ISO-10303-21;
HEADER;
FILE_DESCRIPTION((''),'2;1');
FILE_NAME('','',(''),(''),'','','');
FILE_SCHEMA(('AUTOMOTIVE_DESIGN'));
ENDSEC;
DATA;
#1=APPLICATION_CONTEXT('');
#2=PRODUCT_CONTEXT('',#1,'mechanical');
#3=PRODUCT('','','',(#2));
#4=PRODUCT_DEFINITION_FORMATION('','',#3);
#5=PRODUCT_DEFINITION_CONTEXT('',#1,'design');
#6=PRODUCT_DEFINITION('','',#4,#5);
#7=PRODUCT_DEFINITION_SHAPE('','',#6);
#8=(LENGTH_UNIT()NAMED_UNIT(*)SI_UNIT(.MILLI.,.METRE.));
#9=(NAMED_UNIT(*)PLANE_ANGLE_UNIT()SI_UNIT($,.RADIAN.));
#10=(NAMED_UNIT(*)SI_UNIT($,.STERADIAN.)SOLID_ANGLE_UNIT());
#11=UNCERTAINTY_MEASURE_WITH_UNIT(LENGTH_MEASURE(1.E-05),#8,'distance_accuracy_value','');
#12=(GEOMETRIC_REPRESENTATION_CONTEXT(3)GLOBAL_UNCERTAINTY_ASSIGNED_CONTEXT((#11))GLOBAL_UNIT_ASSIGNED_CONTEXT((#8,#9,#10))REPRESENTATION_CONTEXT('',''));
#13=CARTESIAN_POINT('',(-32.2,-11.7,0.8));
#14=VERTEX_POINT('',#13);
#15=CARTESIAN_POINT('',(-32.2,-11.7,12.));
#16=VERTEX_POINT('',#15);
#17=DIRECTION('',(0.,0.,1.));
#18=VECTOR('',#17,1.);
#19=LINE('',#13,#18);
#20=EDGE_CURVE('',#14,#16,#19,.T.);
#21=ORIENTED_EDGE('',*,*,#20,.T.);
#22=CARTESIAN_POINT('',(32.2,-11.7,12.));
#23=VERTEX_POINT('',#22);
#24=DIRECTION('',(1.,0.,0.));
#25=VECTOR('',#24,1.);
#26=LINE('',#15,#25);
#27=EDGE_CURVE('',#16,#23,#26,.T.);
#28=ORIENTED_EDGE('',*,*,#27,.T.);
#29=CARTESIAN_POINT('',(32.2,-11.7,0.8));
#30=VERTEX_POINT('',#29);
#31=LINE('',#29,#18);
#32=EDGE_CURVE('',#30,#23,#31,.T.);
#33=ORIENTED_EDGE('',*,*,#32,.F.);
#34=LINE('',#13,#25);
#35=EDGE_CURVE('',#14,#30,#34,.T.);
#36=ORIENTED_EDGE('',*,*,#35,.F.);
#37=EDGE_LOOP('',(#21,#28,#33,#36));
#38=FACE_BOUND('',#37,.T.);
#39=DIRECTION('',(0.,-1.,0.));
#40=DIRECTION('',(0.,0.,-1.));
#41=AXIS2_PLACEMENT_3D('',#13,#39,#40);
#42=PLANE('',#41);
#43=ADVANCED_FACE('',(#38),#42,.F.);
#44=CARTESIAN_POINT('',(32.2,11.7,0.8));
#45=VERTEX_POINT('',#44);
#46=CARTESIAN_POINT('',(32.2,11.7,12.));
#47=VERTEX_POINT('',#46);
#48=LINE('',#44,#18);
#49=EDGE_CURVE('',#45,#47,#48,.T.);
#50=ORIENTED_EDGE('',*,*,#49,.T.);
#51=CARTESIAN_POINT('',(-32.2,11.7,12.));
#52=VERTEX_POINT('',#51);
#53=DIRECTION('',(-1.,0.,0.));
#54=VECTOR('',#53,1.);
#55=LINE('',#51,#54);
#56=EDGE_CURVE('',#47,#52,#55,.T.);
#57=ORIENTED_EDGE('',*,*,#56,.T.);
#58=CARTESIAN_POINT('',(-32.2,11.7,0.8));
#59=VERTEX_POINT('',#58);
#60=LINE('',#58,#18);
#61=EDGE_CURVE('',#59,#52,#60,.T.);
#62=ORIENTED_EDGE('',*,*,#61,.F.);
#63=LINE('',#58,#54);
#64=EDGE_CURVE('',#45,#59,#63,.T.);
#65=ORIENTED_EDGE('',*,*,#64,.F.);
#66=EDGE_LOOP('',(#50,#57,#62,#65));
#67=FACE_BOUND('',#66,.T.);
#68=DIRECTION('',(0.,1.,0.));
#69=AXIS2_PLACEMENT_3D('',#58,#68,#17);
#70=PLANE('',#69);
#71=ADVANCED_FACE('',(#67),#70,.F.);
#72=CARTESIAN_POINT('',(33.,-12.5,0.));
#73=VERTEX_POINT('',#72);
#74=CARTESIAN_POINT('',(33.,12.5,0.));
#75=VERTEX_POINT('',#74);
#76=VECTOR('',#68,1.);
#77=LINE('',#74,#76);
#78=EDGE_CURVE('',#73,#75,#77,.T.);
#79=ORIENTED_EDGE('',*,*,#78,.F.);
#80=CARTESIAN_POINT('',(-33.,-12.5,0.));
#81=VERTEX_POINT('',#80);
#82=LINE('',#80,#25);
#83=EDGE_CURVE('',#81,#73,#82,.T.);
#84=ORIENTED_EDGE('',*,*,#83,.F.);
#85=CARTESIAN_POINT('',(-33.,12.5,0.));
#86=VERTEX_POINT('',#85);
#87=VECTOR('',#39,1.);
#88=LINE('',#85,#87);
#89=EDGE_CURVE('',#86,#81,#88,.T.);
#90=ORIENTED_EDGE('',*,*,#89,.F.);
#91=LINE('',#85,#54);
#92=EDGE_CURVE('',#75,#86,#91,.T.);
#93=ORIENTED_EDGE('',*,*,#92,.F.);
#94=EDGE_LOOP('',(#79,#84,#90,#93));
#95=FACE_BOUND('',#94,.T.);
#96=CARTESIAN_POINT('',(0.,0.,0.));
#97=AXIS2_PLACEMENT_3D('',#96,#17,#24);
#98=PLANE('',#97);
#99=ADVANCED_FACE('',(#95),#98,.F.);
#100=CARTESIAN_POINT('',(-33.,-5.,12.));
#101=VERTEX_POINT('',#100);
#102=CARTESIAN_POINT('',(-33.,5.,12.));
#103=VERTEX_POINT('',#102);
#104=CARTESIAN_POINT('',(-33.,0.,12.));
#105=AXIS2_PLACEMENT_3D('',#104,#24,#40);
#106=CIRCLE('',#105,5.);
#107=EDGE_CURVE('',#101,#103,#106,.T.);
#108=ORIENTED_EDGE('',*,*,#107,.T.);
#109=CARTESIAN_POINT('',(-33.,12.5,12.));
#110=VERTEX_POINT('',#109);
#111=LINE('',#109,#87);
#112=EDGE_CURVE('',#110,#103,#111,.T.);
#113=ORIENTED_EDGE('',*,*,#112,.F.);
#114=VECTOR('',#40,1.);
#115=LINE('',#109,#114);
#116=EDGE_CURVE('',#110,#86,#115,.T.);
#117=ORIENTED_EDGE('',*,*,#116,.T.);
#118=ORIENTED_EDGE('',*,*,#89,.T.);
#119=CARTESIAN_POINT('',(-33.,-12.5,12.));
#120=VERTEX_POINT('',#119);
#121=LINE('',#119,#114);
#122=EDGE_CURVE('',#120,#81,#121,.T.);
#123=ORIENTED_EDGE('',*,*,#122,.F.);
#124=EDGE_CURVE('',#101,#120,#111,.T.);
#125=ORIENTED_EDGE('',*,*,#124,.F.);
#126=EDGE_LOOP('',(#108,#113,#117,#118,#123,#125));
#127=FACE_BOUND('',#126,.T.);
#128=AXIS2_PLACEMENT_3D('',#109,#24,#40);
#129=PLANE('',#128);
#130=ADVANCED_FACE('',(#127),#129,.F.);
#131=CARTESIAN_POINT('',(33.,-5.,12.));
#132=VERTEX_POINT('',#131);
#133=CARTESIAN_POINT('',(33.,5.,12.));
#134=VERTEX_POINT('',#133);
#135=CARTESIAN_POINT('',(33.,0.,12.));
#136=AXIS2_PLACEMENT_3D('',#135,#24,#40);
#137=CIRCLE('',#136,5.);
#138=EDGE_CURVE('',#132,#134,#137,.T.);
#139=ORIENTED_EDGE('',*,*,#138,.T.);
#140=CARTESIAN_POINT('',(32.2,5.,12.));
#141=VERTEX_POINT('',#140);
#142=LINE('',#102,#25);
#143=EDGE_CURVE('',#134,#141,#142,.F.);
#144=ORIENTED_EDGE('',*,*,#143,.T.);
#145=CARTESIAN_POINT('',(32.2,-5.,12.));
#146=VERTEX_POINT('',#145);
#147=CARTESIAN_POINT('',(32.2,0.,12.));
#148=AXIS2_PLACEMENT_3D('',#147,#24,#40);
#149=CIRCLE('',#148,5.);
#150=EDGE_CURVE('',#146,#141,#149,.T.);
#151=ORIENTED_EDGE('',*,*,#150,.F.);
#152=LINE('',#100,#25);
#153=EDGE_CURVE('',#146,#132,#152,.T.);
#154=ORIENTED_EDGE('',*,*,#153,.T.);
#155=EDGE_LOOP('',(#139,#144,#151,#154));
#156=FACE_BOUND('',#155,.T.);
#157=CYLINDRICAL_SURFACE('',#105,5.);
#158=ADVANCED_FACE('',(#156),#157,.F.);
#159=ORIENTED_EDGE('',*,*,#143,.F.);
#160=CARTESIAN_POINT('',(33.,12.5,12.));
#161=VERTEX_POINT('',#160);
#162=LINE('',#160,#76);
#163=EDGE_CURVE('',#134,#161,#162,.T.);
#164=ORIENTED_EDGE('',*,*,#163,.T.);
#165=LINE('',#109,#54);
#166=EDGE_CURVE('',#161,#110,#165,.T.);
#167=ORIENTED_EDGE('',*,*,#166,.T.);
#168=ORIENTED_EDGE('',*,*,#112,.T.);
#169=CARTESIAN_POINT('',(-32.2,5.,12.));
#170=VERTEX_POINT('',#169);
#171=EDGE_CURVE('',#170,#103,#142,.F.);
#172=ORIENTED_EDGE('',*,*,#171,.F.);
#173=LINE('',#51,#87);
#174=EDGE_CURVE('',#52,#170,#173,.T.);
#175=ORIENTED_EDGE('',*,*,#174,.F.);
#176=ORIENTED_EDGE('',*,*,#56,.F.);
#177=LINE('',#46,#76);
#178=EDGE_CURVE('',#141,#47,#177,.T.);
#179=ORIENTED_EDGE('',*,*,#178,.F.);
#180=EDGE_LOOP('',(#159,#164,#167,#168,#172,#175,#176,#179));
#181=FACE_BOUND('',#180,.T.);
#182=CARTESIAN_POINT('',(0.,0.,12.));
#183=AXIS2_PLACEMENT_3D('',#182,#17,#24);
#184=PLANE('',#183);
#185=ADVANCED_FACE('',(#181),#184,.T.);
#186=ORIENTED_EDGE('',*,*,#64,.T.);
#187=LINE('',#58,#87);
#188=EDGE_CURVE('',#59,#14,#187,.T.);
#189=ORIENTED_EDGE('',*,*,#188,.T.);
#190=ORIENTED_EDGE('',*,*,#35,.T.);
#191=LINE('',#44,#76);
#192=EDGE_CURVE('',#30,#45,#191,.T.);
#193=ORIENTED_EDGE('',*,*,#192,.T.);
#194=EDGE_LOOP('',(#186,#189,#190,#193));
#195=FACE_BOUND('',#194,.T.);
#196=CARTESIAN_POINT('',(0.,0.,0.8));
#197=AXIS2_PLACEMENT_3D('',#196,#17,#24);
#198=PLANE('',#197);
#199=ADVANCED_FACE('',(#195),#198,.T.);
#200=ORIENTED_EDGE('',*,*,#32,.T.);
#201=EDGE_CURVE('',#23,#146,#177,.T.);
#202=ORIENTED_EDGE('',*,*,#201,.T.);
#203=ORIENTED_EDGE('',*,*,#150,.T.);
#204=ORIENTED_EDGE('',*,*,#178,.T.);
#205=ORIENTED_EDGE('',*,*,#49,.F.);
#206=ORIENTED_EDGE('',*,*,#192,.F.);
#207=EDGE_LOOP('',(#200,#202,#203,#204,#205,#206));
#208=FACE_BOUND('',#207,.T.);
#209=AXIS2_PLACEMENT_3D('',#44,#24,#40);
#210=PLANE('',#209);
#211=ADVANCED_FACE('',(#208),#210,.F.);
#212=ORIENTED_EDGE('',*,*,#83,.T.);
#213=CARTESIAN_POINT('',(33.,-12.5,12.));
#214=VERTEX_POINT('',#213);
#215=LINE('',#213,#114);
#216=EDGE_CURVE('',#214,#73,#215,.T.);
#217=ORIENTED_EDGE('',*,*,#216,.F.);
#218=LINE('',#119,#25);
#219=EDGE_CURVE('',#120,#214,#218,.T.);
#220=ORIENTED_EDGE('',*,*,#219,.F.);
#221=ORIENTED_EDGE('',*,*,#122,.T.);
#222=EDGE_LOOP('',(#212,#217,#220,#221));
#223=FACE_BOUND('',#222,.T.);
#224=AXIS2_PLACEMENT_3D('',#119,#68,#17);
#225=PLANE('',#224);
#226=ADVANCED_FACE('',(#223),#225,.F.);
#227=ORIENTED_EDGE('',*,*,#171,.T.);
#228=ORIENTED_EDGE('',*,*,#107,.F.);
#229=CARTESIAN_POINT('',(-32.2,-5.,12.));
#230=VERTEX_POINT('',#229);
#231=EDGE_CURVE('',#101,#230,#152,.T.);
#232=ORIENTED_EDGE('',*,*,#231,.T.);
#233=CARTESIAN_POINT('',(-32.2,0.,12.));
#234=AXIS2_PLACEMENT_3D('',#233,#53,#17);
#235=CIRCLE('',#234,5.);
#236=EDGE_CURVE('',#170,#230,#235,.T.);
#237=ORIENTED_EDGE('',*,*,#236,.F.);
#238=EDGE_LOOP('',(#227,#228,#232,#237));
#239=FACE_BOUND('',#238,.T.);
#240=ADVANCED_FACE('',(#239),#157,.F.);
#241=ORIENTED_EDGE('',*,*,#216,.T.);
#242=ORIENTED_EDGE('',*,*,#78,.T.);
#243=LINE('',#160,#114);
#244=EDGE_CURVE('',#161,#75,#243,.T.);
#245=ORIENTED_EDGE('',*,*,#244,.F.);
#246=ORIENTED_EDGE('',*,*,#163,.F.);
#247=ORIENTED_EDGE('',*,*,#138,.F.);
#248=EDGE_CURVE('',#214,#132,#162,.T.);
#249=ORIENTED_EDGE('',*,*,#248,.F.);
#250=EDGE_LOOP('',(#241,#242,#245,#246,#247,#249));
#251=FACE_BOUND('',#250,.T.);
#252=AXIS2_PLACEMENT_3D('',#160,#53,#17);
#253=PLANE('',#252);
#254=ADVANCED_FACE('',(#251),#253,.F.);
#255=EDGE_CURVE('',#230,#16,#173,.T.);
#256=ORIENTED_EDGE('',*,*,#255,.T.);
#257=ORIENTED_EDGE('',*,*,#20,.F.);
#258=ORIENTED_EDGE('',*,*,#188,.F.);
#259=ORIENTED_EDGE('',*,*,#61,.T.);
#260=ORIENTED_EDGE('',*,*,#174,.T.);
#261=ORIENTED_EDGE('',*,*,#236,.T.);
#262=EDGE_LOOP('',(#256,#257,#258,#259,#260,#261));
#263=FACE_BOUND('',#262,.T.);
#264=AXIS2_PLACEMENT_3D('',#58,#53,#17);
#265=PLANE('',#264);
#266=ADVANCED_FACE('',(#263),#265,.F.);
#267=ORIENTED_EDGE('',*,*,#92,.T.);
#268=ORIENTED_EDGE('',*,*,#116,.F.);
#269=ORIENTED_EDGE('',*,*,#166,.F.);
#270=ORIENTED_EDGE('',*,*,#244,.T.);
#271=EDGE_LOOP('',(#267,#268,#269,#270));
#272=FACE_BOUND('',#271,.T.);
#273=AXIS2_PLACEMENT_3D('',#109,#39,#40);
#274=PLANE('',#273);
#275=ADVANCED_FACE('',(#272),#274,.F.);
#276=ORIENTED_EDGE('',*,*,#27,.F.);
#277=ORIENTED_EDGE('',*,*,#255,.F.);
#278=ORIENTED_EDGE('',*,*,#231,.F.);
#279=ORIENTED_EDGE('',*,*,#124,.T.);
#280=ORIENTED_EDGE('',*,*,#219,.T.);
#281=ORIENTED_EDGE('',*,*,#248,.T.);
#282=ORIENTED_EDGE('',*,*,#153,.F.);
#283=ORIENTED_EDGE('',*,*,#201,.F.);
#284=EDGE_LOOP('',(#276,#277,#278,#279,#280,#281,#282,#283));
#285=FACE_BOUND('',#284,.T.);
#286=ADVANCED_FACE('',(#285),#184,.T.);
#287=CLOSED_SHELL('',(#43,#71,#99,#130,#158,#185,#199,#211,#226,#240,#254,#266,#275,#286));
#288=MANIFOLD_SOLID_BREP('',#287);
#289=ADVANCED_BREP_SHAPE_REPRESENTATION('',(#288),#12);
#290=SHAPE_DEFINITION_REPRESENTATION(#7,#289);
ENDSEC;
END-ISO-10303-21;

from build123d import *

# Parameters (mm, degrees)
SKETCH2_W           = 66
SKETCH2_H           = 25
BOSS_EXTRUDE1_DEPTH = 12
SKETCH3_W           = 64.4
SKETCH3_H           = 23.4
CUT_EXTRUDE1_DEPTH  = 11.2
SKETCH5_R           = 5
CUT_EXTRUDE2_DEPTH  = 69.23672032


with BuildPart() as part:
    # Sketch2 → Boss-Extrude1 (new body)
    with BuildSketch(Plane.XY):
        Rectangle(SKETCH2_W, SKETCH2_H)
    extrude(amount=BOSS_EXTRUDE1_DEPTH)

    # Sketch3 → Cut-Extrude1 (cut)
    with BuildSketch(Plane.XY.offset(12)):
        Rectangle(SKETCH3_W, SKETCH3_H)
    extrude(amount=-CUT_EXTRUDE1_DEPTH, mode=Mode.SUBTRACT)

    # Sketch5 → Cut-Extrude2 (cut, through all)
    with BuildSketch(Plane(origin=(33, 0, 0), x_dir=(0, 0, -1), z_dir=(1, 0, 0))):
        with Locations((-12, 0)):
            Circle(SKETCH5_R)
    extrude(amount=-CUT_EXTRUDE2_DEPTH, mode=Mode.SUBTRACT)


solid = part.part
